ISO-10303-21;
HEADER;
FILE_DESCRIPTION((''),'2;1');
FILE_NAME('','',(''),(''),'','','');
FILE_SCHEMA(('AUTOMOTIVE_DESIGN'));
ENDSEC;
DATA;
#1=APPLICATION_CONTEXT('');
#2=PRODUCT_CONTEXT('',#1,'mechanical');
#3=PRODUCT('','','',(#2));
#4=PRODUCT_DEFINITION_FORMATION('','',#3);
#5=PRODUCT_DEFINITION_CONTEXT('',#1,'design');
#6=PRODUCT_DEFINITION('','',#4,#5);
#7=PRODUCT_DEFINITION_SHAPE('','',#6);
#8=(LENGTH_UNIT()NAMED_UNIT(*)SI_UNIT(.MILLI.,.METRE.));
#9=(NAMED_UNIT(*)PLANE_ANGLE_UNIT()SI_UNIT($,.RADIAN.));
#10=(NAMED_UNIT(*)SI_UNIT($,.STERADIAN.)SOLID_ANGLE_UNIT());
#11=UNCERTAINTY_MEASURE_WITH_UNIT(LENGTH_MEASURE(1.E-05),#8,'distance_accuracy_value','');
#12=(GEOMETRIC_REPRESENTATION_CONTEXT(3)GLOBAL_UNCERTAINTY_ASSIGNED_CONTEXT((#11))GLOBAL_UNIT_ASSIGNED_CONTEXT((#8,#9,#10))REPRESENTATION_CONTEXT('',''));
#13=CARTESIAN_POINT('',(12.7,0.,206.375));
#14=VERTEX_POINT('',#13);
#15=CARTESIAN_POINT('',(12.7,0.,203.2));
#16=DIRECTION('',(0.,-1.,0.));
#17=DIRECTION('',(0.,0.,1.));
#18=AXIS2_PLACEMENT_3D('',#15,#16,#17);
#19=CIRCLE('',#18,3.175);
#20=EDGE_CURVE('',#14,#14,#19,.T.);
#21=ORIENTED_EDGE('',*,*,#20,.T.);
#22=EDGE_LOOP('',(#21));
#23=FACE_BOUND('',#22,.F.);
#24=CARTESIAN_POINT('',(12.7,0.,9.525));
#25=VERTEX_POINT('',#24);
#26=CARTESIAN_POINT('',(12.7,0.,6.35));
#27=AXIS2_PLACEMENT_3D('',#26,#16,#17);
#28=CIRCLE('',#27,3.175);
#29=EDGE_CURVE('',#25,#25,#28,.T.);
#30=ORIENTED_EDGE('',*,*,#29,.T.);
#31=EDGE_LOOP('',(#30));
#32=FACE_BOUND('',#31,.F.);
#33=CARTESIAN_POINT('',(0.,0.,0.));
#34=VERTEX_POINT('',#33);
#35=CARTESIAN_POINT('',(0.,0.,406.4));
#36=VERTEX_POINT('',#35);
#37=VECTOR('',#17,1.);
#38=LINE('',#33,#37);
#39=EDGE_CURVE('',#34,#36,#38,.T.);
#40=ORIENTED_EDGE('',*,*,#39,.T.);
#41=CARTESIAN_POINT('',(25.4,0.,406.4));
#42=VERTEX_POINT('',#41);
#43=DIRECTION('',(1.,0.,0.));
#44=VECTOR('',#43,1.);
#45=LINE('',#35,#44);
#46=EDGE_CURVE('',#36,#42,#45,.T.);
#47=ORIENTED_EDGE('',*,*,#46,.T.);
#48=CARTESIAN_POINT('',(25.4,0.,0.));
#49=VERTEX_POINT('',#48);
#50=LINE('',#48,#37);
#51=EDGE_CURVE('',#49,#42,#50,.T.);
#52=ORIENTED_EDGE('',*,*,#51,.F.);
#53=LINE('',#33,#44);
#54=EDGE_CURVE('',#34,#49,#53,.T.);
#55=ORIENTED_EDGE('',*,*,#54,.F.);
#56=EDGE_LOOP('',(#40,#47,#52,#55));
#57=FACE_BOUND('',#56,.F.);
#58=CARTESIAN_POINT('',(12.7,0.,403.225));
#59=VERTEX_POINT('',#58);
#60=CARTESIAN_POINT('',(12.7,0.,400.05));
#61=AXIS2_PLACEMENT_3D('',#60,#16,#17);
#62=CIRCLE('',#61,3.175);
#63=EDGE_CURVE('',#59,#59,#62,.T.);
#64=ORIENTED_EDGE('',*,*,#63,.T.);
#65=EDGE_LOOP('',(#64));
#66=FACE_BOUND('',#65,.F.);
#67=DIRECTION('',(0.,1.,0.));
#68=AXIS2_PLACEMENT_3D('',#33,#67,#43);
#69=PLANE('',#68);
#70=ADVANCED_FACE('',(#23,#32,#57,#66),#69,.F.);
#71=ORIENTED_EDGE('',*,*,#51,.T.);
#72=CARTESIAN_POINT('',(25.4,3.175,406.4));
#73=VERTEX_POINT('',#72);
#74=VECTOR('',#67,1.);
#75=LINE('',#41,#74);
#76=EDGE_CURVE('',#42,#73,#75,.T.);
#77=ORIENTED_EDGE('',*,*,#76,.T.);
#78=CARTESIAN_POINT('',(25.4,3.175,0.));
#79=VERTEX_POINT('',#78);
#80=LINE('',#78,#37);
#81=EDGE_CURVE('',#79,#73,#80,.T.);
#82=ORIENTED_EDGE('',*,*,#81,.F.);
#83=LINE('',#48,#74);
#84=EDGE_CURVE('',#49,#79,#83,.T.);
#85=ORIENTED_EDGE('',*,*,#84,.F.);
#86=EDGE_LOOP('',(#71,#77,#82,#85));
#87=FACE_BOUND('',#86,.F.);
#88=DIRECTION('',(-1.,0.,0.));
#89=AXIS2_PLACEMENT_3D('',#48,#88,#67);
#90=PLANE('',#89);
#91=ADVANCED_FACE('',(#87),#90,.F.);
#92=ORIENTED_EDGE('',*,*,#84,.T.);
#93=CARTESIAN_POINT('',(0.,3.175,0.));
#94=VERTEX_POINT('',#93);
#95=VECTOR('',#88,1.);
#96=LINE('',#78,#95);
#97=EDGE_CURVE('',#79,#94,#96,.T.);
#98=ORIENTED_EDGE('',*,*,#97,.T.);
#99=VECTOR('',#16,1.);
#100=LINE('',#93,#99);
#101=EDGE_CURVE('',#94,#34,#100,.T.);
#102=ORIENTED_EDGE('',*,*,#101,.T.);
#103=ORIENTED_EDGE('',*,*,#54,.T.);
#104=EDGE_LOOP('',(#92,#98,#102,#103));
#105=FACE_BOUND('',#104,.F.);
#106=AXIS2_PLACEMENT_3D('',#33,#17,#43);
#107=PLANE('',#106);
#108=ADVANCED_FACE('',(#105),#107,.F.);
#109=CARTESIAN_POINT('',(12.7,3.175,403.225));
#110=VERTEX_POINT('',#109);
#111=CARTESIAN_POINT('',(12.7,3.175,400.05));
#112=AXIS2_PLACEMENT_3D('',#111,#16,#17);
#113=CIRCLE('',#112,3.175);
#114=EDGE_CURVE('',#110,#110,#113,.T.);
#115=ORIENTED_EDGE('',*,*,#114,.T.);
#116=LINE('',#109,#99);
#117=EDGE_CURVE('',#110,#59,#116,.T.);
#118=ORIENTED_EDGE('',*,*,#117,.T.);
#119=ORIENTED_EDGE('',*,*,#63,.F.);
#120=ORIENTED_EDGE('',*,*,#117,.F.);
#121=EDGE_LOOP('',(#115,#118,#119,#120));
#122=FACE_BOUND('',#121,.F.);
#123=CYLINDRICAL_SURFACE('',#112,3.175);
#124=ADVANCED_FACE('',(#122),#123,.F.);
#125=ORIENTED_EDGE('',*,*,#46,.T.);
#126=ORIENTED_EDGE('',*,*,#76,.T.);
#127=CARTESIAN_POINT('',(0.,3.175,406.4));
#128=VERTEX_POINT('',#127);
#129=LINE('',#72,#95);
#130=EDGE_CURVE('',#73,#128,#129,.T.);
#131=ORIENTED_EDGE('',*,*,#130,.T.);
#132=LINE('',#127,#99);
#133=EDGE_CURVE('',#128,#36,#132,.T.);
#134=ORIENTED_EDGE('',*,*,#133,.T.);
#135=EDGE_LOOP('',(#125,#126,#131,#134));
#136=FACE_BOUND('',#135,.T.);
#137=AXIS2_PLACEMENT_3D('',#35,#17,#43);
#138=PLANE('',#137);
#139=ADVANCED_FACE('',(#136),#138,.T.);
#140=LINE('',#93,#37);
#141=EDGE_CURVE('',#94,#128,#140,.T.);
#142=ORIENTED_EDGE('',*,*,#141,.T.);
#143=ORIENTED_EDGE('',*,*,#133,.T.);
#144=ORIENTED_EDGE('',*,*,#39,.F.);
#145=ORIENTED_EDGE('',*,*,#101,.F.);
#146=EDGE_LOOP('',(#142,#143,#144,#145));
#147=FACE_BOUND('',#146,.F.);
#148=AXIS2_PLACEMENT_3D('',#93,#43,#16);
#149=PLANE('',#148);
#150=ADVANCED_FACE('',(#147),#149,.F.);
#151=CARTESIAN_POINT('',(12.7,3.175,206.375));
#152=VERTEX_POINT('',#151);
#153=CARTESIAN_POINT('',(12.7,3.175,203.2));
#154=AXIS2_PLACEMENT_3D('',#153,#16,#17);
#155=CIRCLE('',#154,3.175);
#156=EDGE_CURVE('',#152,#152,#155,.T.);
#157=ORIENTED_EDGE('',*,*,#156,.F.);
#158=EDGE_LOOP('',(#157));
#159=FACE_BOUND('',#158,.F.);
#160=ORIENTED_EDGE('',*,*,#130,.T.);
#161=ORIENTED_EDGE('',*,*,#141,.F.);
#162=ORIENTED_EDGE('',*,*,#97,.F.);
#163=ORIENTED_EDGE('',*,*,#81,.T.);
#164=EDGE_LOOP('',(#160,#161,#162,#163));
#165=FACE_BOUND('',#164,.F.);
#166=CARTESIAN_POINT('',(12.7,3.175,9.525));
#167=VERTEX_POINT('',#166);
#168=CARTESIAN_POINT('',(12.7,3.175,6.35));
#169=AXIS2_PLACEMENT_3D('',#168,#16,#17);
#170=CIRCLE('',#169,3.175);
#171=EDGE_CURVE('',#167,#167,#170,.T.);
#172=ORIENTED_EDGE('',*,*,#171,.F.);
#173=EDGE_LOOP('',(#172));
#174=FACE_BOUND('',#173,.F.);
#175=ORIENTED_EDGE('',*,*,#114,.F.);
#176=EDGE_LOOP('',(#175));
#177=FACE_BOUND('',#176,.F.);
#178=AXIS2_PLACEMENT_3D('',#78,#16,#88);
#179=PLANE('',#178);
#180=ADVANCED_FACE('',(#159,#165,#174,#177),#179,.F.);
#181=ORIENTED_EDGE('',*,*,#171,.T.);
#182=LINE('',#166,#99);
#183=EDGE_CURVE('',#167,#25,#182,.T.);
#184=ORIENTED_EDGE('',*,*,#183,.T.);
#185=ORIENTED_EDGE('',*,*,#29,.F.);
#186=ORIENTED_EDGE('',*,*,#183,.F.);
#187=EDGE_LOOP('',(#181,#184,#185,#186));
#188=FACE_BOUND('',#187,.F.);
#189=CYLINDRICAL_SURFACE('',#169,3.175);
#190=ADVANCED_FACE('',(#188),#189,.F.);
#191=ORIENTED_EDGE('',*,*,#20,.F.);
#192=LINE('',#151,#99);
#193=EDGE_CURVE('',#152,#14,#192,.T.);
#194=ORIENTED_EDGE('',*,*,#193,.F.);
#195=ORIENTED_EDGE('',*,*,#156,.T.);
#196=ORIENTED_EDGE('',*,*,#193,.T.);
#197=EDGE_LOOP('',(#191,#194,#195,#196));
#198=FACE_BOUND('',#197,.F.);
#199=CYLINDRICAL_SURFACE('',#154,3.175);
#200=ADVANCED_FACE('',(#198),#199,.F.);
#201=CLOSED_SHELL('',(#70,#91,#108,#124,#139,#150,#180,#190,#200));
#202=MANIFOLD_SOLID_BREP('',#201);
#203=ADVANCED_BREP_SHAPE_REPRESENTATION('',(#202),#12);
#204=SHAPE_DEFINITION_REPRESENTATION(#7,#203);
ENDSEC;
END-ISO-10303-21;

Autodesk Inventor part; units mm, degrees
ref_plane "YZ Plane" through (0, 0, 0) normal (1, 0, 0) x (0, 1, 0)
ref_plane "XZ Plane" through (0, 0, 0) normal (0, 1, 0) x (-1, 0, 0)
ref_plane "XY Plane" through (0, 0, 0) normal (0, 0, 1) x (1, 0, 0)
sketch "Sketch1" plane through (0, 0, 0) normal (0, 0, 1) x (1, 0, 0)
  line L0 (0, 0) -> (25.4, 0)
  line L1 (25.4, 0) -> (25.4, 3.175)
  line L2 (25.4, 3.175) -> (0, 3.175)
  line L3 (0, 3.175) -> (0, 0)
  dimension "d0" = 25.4
  dimension "d1" = 3.175
extrude "Extrusion1" add sketch "Sketch1" along normal blind 406.4
sketch "Sketch2" plane through (0, 3.175, 0) normal (0, 1, 0) x (1, 0, 0)
  line L0 (0, 0) -> (25.4, 0)
  line L1 (0, 0) -> (25.4, 0) projected
  line L2 (12.7, 0) -> (12.7, -406.4)
  line L3 (0, -406.4) -> (25.4, -406.4)
  line L4 (12.7, 0) -> (12.7, -6.35)
  line L5 (12.7, -406.4) -> (12.7, -400.05)
  line L6 (12.7, -406.4) -> (12.7, -203.2)
  dimension "d4" = 6.35
  dimension "d5" = 6.35
  dimension "d6" = 203.2
hole "Hole1" at (12.7, 3.175, 6.35) at (12.7, 3.175, 400.05) at (12.7, 3.175, 203.2) direction (0, -1, 0) diameter 6.35 end through all
properties part number "Jack FlatStock"
